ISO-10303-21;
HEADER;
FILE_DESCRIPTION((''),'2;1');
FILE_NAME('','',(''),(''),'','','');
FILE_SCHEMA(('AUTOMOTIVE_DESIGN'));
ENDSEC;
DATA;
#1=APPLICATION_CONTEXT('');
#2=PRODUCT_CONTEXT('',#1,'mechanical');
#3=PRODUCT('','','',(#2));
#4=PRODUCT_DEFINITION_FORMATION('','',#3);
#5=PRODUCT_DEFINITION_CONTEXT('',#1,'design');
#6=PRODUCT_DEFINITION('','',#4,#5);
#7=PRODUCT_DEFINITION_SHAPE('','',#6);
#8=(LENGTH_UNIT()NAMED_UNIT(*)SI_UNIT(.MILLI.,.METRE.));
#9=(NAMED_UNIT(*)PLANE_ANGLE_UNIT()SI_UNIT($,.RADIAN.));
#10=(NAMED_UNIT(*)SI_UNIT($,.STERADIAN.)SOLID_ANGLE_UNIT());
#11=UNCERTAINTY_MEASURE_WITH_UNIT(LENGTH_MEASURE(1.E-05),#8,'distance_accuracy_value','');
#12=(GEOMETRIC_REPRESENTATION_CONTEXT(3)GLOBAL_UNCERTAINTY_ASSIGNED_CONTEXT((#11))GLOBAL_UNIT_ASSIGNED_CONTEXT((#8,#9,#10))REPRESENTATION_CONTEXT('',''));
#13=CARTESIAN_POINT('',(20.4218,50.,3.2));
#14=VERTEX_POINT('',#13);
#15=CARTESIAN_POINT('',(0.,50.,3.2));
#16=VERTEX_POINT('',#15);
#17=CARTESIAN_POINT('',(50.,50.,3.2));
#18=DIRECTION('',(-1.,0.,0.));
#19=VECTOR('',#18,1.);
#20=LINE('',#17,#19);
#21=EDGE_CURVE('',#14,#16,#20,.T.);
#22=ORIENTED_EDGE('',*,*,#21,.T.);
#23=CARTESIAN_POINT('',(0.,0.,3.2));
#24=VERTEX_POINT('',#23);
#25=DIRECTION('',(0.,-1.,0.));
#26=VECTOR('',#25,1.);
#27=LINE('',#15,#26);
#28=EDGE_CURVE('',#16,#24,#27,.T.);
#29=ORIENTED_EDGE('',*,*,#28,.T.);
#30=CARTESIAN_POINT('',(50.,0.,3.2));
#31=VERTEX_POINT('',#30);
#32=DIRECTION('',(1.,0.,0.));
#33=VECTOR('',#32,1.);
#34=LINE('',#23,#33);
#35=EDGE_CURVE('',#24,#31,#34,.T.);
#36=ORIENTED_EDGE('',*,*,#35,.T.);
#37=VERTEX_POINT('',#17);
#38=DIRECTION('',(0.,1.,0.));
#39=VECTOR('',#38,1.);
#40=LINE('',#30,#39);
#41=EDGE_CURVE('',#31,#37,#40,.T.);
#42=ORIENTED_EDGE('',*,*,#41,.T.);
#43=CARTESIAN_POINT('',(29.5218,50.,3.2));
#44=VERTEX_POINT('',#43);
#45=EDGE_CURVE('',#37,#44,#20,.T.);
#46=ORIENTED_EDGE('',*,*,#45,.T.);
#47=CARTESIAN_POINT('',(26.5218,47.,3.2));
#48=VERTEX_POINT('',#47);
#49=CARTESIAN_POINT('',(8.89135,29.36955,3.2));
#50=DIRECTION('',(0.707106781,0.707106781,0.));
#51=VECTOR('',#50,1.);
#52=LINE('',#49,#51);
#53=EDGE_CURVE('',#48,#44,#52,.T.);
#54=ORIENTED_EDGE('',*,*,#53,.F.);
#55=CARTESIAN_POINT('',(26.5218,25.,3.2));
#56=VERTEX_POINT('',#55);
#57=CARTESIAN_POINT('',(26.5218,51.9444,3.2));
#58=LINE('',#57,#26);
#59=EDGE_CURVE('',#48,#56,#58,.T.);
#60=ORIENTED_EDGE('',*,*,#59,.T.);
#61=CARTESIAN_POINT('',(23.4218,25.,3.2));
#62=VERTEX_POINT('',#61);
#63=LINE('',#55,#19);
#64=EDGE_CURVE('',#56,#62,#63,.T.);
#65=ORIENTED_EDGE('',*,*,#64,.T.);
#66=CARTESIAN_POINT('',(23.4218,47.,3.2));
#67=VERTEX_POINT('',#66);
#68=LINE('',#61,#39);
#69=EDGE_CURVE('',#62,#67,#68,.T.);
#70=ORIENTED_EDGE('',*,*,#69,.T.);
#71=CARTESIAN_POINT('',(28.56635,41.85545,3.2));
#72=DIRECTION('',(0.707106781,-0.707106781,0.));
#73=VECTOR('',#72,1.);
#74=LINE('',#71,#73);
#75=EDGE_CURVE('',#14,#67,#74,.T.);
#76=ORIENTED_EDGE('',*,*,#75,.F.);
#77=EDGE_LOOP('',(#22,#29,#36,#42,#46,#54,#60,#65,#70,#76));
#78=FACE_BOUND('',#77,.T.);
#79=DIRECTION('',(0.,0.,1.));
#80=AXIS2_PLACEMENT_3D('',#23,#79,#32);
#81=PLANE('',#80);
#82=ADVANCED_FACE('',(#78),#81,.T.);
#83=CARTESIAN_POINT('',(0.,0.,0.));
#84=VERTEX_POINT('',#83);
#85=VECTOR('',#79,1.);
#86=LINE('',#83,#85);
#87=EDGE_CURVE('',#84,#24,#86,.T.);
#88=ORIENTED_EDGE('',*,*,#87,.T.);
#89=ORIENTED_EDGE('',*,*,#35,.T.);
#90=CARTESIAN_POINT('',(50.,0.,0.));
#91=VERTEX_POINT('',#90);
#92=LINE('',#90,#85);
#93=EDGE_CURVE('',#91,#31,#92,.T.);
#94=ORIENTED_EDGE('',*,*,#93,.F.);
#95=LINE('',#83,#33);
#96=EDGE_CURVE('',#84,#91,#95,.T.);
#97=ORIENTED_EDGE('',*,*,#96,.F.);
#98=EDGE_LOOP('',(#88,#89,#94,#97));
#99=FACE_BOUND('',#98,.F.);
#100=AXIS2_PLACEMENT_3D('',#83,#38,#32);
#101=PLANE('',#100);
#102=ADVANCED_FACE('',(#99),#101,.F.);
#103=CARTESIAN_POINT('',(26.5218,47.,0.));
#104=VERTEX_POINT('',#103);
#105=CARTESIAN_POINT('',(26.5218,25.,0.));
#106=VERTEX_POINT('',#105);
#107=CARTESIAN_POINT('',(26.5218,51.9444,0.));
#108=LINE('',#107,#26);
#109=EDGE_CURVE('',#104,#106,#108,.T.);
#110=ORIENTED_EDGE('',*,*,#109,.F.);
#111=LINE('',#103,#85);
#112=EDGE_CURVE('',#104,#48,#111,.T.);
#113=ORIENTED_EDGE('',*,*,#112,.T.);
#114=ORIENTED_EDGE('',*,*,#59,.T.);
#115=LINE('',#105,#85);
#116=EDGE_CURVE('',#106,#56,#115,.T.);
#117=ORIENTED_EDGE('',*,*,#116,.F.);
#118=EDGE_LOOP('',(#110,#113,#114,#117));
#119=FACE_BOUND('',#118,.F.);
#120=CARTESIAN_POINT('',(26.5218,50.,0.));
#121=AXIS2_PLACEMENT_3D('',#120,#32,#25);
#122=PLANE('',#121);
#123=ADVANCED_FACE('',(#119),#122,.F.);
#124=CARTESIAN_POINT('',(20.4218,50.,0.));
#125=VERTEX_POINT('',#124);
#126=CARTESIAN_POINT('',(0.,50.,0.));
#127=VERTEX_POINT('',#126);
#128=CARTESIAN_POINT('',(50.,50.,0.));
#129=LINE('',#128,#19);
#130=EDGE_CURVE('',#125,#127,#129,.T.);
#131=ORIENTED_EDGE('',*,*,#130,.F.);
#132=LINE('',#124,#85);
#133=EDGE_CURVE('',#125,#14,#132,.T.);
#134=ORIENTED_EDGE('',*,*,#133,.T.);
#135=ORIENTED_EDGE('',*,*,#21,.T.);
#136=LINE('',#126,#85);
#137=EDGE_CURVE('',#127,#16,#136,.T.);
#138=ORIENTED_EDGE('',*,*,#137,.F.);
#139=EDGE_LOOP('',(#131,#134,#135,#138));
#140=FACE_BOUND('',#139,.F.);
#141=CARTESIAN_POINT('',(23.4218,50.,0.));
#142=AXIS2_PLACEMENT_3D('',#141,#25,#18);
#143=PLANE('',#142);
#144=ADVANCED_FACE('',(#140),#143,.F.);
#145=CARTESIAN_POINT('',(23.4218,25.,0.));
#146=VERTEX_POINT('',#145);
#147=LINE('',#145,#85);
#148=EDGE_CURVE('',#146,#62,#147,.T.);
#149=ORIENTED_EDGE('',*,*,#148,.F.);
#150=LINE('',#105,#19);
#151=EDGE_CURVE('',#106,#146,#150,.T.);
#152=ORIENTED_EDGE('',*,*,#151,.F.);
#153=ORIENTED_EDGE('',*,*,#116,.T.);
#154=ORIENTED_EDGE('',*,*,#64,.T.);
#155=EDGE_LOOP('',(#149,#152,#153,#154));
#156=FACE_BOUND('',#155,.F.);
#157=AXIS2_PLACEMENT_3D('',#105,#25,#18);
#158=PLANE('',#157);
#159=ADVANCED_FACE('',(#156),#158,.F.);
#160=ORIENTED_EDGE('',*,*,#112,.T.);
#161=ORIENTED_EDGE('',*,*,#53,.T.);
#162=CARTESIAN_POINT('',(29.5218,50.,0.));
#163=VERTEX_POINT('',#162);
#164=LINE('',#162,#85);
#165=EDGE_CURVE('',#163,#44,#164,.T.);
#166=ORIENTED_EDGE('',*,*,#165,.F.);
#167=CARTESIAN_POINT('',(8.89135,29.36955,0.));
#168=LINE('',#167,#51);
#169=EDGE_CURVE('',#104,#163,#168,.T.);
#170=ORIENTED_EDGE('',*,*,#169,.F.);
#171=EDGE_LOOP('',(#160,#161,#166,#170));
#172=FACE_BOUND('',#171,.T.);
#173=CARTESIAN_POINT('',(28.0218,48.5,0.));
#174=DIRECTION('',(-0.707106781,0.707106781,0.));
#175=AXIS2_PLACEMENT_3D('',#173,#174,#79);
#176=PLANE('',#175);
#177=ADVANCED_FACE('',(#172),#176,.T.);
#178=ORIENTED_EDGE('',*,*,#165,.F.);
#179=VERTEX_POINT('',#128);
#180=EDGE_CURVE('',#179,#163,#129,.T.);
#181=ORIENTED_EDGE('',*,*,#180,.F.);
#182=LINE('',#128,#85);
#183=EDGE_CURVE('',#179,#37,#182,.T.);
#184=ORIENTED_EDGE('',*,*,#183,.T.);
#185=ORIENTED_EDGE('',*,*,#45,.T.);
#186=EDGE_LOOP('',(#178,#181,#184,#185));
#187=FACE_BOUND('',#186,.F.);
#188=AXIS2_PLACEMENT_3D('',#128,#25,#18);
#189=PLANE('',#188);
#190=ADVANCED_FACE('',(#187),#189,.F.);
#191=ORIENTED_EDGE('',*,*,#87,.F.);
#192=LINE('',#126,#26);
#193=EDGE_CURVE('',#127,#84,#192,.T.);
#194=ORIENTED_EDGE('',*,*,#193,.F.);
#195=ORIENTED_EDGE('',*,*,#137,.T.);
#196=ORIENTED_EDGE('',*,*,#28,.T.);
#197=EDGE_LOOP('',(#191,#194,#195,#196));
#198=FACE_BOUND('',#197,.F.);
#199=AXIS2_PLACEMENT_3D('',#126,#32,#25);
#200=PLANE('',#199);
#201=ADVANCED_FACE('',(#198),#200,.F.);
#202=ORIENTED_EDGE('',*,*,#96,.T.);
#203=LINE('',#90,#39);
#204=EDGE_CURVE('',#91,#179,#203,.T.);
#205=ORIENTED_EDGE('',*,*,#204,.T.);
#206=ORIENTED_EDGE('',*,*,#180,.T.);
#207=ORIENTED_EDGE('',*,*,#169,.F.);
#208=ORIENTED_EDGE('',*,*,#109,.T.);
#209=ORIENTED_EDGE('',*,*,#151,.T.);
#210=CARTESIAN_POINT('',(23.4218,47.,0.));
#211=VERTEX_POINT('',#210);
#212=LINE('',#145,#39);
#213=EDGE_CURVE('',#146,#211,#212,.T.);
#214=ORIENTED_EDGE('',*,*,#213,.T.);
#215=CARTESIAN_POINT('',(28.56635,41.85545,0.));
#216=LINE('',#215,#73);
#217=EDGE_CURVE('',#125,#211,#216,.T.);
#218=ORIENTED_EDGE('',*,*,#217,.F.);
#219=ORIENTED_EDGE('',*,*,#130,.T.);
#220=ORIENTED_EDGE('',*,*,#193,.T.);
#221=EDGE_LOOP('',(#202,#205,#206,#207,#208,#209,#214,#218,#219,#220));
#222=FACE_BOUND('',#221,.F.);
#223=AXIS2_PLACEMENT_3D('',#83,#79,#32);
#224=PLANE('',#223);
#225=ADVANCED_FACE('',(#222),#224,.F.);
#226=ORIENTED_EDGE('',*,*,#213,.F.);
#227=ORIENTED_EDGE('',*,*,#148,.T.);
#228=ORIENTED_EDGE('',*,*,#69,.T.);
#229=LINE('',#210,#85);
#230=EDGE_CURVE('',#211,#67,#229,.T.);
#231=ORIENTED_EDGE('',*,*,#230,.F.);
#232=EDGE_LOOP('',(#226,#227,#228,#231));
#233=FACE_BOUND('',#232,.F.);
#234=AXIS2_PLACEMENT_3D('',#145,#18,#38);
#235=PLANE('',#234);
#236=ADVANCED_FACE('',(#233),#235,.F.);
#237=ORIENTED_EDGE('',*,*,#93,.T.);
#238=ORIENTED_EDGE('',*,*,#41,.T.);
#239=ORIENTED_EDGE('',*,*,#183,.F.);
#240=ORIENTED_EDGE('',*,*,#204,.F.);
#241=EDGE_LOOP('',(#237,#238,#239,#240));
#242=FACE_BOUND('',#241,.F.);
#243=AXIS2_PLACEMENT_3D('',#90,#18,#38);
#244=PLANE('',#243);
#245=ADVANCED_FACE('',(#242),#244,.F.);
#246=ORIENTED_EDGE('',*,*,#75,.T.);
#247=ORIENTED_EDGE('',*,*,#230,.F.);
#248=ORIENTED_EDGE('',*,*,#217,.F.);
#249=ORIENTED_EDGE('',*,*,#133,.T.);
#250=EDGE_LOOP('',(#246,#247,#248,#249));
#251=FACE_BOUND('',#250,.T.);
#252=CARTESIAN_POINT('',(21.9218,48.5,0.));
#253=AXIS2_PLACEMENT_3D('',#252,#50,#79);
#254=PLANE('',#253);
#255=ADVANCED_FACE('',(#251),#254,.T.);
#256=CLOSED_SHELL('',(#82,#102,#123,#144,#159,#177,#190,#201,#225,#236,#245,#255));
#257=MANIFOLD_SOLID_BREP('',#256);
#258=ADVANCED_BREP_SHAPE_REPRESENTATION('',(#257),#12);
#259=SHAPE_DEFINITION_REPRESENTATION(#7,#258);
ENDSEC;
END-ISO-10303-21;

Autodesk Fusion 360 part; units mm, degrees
sketch "Sketch1" plane through (0, 0, 0) normal (0, 0, 1) x (1, 0, 0)
  line L0 (0, 0) -> (50, 0)
  line L1 (50, 0) -> (50, 50)
  line L2 (50, 50) -> (0, 50)
  line L3 (0, 50) -> (0, 0)
  line L4 (25, 59.9444) -> (25, -10) construction
  line L5 (-9.9209, 25) -> (60, 25) construction
  line L6 (23.4218, 51.9444) -> (26.5218, 51.9444)
  line L7 (26.5218, 51.9444) -> (26.5218, 25)
  line L8 (26.5218, 25) -> (23.4218, 25)
  line L9 (23.4218, 25) -> (23.4218, 51.9444)
  dimension "d4" = 3.1
extrude "Extrude1" add sketch "Sketch1" along normal blind 3.2 contours L0 L1 L2 L3 L7 L8 L9
chamfer "Chamfer1" distance 3 angle 45 2 edges at (26.5218, 50, 1.6) (23.4218, 50, 1.6)
equation "material_thickness = 3.2 mm" comment "Real measured thickness of my plywood"
equation "laser_kerf = 0.1 mm" comment "Extra material removed for a given setting"
equation "chamfer_amount = 3 mm" comment "How much to round off each slot"
equation "d4 = material_thickness - laser_kerf"
equation "d5 = material_thickness"
equation "d7 = chamfer_amount"
